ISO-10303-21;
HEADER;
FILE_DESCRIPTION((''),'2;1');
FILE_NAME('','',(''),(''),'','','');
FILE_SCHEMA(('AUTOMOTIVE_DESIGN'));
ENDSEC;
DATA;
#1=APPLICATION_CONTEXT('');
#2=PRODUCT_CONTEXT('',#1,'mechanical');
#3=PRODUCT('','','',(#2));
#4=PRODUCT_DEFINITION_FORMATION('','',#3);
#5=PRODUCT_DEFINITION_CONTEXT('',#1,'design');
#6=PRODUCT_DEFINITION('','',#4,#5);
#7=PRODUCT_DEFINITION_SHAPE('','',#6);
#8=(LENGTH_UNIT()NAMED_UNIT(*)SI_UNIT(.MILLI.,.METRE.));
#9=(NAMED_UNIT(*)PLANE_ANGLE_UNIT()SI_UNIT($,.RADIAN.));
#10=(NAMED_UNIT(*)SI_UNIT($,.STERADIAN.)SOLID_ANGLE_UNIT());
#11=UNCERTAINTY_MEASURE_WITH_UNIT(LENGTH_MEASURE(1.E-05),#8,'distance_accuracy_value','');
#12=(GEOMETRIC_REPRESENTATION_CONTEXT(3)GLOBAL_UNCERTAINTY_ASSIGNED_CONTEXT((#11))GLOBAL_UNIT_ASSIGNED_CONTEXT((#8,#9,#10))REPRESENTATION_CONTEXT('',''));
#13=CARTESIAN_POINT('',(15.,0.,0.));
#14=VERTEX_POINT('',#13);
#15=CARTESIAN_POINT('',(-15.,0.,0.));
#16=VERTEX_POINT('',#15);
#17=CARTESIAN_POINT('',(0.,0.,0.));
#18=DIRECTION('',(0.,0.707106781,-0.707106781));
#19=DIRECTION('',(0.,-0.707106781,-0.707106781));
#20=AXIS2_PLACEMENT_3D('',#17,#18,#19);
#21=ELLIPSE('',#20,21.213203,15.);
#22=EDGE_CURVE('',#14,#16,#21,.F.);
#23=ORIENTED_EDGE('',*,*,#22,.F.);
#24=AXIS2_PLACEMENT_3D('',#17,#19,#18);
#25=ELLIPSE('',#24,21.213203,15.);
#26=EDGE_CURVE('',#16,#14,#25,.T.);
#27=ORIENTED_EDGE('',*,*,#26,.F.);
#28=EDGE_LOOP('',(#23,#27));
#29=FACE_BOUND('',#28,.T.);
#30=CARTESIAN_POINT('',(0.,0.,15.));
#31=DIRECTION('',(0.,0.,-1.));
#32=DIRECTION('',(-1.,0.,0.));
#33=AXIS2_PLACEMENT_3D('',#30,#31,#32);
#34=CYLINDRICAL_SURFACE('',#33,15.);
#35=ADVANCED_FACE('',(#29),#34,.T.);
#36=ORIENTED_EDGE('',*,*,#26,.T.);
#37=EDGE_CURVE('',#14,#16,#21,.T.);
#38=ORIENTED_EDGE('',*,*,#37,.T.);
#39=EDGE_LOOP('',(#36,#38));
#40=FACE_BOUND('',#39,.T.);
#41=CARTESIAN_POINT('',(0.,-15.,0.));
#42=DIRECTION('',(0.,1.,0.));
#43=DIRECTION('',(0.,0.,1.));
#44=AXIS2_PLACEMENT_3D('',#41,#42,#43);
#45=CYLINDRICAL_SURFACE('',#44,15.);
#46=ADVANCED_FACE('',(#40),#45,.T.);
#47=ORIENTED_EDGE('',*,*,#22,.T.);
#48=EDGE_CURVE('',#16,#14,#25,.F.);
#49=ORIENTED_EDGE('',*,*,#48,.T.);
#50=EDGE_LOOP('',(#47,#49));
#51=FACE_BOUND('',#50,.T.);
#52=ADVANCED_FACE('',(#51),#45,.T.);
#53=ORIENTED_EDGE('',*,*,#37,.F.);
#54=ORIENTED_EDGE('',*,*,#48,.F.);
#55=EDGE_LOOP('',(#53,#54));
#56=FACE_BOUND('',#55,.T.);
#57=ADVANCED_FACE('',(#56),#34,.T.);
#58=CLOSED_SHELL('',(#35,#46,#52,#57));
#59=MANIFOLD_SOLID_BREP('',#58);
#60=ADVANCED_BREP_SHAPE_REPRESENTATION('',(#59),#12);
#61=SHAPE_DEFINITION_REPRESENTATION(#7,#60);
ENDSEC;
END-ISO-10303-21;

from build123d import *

# Parameters (mm, degrees)
SKETCH_1_R          = 15
EXTRUDE_1_DEPTH     = 15
SKETCH_2_OUTSIDE_W  = 42.392
SKETCH_2_OUTSIDE_H  = 42.392
SKETCH_2_OUTSIDE_R  = 15
CUT_EXTRUDE_1_DEPTH = 15


with BuildPart() as part:
    # 草图1 → 凸台-拉伸1 (new, symmetric)
    with BuildSketch(Plane.XY):
        Circle(SKETCH_1_R)
    extrude(amount=EXTRUDE_1_DEPTH, both=True)

    # 草图2 outside → 切除-拉伸1 (cut, symmetric)
    with BuildSketch(Plane(origin=(0, 0, 0), x_dir=(1, 0, 0), z_dir=(0, 1, 0))):
        Rectangle(SKETCH_2_OUTSIDE_W, SKETCH_2_OUTSIDE_H)
        Circle(SKETCH_2_OUTSIDE_R, mode=Mode.SUBTRACT)
    extrude(amount=CUT_EXTRUDE_1_DEPTH, both=True, mode=Mode.SUBTRACT)


solid = part.part
